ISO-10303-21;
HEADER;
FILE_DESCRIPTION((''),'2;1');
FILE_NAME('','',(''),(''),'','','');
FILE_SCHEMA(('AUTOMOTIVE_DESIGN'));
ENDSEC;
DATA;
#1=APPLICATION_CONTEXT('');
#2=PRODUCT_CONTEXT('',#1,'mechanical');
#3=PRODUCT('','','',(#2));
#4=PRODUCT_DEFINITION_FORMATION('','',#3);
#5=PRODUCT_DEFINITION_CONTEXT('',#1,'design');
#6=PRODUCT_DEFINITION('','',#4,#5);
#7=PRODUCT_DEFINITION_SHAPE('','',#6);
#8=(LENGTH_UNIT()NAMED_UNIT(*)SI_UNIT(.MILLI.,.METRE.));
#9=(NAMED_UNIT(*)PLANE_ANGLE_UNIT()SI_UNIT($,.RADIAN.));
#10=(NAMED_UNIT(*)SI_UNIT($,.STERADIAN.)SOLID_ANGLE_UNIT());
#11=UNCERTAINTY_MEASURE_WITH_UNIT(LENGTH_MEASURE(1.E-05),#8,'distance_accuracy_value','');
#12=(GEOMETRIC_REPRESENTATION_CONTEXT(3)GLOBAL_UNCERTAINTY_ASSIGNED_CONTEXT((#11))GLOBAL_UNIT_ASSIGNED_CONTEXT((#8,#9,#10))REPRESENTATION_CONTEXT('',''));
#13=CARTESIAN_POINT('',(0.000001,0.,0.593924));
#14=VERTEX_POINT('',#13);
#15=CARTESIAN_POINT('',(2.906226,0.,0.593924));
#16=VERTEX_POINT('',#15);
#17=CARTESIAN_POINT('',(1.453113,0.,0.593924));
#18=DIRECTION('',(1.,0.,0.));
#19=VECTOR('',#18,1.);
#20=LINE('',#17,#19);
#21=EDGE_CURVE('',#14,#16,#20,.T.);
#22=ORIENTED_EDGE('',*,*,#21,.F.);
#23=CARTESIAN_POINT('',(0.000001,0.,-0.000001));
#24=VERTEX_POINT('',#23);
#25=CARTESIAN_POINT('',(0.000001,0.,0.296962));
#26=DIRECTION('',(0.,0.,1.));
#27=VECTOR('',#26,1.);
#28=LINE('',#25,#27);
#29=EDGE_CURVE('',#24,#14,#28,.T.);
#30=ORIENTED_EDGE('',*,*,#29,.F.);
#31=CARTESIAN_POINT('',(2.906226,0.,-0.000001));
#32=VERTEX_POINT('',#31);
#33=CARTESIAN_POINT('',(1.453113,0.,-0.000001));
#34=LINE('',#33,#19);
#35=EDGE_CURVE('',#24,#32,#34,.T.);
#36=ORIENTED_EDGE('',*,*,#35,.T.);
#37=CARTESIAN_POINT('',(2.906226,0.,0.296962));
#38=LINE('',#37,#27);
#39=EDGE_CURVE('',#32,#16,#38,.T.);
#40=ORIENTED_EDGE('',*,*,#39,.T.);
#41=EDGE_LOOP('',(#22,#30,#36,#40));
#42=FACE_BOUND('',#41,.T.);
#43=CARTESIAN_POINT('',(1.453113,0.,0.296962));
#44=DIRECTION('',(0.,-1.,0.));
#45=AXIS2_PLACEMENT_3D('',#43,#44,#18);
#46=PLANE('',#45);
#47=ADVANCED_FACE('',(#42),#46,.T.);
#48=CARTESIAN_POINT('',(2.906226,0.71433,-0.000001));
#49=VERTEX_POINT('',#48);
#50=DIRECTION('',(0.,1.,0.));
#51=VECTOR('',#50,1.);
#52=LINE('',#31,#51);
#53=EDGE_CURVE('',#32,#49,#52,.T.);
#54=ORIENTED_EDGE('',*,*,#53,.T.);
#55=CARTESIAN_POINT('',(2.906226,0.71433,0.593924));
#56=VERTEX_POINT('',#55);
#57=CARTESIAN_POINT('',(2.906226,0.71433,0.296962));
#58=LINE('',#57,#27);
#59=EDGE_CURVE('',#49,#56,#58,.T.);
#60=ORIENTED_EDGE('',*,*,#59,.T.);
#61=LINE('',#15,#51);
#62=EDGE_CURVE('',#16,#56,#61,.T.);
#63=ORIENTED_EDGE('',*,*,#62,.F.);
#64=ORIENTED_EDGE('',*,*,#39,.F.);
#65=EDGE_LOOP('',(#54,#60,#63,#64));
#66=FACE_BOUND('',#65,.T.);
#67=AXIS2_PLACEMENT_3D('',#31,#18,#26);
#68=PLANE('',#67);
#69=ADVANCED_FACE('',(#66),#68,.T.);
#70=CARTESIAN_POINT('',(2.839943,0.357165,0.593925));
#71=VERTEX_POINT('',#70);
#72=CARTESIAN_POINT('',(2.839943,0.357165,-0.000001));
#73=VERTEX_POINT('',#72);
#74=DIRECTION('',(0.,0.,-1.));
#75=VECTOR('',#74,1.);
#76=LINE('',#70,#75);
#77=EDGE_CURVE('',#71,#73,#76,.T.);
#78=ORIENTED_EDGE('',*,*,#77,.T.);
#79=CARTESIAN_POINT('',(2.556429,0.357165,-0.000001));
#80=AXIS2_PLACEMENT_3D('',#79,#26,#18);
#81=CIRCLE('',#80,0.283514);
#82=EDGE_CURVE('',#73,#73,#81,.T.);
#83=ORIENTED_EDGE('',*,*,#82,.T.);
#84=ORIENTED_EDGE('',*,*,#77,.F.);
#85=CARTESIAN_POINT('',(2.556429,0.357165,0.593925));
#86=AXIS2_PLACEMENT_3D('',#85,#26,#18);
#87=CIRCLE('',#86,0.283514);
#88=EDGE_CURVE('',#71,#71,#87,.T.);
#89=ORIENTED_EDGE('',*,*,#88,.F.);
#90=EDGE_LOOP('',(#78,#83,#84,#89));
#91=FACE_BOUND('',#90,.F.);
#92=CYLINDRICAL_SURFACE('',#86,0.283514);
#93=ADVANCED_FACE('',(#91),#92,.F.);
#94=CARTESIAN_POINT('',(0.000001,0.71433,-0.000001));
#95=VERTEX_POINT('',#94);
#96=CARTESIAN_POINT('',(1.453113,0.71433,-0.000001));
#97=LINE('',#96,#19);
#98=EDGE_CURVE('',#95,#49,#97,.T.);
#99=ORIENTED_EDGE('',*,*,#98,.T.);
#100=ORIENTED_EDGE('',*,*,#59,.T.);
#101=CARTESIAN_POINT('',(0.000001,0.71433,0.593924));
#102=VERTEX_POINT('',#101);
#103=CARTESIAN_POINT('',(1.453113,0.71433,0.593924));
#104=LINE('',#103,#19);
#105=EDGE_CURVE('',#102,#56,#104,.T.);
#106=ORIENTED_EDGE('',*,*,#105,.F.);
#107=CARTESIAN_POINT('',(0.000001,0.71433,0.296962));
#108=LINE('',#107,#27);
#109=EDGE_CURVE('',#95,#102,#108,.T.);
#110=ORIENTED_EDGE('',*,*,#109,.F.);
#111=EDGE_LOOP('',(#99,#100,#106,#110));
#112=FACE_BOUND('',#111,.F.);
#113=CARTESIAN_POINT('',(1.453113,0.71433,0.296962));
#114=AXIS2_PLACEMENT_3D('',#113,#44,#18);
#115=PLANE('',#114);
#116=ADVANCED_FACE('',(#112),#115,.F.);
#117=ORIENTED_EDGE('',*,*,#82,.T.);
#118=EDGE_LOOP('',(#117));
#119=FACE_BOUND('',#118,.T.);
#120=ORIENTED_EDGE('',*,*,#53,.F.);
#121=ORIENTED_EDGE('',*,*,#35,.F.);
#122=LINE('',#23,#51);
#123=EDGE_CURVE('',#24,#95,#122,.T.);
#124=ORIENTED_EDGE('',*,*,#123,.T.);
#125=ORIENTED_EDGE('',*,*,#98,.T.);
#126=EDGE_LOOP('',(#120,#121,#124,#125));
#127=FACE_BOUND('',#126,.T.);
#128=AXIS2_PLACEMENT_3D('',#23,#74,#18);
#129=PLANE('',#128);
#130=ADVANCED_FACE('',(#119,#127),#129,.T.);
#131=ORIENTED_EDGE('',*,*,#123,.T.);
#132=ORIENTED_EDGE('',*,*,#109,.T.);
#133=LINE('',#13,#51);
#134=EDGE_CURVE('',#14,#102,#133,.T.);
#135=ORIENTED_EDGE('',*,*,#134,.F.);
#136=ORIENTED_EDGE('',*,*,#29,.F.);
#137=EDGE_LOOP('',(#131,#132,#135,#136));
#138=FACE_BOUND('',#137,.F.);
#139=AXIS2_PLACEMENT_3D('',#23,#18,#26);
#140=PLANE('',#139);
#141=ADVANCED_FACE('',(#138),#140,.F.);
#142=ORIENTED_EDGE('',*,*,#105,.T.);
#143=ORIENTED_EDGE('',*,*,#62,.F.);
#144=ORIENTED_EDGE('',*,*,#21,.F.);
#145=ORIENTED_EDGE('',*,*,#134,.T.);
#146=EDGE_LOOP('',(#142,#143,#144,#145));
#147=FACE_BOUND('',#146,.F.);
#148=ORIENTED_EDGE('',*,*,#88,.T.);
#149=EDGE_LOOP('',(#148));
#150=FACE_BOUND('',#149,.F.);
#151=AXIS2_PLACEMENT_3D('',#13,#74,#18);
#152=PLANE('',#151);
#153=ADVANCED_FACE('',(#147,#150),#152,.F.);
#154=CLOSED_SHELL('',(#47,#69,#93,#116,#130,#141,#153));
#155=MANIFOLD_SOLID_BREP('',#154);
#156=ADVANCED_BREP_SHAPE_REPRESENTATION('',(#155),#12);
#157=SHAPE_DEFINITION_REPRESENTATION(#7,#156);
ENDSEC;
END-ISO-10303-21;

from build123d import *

# Parameters (mm, degrees)
F0_W     = 2.906225
F0_H     = 0.593925
F1_DEPTH = 0.71433
F2_R     = 0.283514
F3_DEPTH = 0.703704


with BuildPart() as f1:
    # F0 (on Front) → F1 (new body)
    with BuildSketch(Plane.XZ):
        with Locations((1.453113, 0.296962)):
            Rectangle(F0_W, F0_H)
    extrude(amount=-F1_DEPTH)

    # F2 (on face) → F3 (cut)
    with BuildSketch(Plane.XY.offset(0.593925)):
        with Locations((2.556429, 0.357165)):
            Circle(F2_R)
    extrude(amount=-F3_DEPTH, mode=Mode.SUBTRACT)


solid = f1.part
